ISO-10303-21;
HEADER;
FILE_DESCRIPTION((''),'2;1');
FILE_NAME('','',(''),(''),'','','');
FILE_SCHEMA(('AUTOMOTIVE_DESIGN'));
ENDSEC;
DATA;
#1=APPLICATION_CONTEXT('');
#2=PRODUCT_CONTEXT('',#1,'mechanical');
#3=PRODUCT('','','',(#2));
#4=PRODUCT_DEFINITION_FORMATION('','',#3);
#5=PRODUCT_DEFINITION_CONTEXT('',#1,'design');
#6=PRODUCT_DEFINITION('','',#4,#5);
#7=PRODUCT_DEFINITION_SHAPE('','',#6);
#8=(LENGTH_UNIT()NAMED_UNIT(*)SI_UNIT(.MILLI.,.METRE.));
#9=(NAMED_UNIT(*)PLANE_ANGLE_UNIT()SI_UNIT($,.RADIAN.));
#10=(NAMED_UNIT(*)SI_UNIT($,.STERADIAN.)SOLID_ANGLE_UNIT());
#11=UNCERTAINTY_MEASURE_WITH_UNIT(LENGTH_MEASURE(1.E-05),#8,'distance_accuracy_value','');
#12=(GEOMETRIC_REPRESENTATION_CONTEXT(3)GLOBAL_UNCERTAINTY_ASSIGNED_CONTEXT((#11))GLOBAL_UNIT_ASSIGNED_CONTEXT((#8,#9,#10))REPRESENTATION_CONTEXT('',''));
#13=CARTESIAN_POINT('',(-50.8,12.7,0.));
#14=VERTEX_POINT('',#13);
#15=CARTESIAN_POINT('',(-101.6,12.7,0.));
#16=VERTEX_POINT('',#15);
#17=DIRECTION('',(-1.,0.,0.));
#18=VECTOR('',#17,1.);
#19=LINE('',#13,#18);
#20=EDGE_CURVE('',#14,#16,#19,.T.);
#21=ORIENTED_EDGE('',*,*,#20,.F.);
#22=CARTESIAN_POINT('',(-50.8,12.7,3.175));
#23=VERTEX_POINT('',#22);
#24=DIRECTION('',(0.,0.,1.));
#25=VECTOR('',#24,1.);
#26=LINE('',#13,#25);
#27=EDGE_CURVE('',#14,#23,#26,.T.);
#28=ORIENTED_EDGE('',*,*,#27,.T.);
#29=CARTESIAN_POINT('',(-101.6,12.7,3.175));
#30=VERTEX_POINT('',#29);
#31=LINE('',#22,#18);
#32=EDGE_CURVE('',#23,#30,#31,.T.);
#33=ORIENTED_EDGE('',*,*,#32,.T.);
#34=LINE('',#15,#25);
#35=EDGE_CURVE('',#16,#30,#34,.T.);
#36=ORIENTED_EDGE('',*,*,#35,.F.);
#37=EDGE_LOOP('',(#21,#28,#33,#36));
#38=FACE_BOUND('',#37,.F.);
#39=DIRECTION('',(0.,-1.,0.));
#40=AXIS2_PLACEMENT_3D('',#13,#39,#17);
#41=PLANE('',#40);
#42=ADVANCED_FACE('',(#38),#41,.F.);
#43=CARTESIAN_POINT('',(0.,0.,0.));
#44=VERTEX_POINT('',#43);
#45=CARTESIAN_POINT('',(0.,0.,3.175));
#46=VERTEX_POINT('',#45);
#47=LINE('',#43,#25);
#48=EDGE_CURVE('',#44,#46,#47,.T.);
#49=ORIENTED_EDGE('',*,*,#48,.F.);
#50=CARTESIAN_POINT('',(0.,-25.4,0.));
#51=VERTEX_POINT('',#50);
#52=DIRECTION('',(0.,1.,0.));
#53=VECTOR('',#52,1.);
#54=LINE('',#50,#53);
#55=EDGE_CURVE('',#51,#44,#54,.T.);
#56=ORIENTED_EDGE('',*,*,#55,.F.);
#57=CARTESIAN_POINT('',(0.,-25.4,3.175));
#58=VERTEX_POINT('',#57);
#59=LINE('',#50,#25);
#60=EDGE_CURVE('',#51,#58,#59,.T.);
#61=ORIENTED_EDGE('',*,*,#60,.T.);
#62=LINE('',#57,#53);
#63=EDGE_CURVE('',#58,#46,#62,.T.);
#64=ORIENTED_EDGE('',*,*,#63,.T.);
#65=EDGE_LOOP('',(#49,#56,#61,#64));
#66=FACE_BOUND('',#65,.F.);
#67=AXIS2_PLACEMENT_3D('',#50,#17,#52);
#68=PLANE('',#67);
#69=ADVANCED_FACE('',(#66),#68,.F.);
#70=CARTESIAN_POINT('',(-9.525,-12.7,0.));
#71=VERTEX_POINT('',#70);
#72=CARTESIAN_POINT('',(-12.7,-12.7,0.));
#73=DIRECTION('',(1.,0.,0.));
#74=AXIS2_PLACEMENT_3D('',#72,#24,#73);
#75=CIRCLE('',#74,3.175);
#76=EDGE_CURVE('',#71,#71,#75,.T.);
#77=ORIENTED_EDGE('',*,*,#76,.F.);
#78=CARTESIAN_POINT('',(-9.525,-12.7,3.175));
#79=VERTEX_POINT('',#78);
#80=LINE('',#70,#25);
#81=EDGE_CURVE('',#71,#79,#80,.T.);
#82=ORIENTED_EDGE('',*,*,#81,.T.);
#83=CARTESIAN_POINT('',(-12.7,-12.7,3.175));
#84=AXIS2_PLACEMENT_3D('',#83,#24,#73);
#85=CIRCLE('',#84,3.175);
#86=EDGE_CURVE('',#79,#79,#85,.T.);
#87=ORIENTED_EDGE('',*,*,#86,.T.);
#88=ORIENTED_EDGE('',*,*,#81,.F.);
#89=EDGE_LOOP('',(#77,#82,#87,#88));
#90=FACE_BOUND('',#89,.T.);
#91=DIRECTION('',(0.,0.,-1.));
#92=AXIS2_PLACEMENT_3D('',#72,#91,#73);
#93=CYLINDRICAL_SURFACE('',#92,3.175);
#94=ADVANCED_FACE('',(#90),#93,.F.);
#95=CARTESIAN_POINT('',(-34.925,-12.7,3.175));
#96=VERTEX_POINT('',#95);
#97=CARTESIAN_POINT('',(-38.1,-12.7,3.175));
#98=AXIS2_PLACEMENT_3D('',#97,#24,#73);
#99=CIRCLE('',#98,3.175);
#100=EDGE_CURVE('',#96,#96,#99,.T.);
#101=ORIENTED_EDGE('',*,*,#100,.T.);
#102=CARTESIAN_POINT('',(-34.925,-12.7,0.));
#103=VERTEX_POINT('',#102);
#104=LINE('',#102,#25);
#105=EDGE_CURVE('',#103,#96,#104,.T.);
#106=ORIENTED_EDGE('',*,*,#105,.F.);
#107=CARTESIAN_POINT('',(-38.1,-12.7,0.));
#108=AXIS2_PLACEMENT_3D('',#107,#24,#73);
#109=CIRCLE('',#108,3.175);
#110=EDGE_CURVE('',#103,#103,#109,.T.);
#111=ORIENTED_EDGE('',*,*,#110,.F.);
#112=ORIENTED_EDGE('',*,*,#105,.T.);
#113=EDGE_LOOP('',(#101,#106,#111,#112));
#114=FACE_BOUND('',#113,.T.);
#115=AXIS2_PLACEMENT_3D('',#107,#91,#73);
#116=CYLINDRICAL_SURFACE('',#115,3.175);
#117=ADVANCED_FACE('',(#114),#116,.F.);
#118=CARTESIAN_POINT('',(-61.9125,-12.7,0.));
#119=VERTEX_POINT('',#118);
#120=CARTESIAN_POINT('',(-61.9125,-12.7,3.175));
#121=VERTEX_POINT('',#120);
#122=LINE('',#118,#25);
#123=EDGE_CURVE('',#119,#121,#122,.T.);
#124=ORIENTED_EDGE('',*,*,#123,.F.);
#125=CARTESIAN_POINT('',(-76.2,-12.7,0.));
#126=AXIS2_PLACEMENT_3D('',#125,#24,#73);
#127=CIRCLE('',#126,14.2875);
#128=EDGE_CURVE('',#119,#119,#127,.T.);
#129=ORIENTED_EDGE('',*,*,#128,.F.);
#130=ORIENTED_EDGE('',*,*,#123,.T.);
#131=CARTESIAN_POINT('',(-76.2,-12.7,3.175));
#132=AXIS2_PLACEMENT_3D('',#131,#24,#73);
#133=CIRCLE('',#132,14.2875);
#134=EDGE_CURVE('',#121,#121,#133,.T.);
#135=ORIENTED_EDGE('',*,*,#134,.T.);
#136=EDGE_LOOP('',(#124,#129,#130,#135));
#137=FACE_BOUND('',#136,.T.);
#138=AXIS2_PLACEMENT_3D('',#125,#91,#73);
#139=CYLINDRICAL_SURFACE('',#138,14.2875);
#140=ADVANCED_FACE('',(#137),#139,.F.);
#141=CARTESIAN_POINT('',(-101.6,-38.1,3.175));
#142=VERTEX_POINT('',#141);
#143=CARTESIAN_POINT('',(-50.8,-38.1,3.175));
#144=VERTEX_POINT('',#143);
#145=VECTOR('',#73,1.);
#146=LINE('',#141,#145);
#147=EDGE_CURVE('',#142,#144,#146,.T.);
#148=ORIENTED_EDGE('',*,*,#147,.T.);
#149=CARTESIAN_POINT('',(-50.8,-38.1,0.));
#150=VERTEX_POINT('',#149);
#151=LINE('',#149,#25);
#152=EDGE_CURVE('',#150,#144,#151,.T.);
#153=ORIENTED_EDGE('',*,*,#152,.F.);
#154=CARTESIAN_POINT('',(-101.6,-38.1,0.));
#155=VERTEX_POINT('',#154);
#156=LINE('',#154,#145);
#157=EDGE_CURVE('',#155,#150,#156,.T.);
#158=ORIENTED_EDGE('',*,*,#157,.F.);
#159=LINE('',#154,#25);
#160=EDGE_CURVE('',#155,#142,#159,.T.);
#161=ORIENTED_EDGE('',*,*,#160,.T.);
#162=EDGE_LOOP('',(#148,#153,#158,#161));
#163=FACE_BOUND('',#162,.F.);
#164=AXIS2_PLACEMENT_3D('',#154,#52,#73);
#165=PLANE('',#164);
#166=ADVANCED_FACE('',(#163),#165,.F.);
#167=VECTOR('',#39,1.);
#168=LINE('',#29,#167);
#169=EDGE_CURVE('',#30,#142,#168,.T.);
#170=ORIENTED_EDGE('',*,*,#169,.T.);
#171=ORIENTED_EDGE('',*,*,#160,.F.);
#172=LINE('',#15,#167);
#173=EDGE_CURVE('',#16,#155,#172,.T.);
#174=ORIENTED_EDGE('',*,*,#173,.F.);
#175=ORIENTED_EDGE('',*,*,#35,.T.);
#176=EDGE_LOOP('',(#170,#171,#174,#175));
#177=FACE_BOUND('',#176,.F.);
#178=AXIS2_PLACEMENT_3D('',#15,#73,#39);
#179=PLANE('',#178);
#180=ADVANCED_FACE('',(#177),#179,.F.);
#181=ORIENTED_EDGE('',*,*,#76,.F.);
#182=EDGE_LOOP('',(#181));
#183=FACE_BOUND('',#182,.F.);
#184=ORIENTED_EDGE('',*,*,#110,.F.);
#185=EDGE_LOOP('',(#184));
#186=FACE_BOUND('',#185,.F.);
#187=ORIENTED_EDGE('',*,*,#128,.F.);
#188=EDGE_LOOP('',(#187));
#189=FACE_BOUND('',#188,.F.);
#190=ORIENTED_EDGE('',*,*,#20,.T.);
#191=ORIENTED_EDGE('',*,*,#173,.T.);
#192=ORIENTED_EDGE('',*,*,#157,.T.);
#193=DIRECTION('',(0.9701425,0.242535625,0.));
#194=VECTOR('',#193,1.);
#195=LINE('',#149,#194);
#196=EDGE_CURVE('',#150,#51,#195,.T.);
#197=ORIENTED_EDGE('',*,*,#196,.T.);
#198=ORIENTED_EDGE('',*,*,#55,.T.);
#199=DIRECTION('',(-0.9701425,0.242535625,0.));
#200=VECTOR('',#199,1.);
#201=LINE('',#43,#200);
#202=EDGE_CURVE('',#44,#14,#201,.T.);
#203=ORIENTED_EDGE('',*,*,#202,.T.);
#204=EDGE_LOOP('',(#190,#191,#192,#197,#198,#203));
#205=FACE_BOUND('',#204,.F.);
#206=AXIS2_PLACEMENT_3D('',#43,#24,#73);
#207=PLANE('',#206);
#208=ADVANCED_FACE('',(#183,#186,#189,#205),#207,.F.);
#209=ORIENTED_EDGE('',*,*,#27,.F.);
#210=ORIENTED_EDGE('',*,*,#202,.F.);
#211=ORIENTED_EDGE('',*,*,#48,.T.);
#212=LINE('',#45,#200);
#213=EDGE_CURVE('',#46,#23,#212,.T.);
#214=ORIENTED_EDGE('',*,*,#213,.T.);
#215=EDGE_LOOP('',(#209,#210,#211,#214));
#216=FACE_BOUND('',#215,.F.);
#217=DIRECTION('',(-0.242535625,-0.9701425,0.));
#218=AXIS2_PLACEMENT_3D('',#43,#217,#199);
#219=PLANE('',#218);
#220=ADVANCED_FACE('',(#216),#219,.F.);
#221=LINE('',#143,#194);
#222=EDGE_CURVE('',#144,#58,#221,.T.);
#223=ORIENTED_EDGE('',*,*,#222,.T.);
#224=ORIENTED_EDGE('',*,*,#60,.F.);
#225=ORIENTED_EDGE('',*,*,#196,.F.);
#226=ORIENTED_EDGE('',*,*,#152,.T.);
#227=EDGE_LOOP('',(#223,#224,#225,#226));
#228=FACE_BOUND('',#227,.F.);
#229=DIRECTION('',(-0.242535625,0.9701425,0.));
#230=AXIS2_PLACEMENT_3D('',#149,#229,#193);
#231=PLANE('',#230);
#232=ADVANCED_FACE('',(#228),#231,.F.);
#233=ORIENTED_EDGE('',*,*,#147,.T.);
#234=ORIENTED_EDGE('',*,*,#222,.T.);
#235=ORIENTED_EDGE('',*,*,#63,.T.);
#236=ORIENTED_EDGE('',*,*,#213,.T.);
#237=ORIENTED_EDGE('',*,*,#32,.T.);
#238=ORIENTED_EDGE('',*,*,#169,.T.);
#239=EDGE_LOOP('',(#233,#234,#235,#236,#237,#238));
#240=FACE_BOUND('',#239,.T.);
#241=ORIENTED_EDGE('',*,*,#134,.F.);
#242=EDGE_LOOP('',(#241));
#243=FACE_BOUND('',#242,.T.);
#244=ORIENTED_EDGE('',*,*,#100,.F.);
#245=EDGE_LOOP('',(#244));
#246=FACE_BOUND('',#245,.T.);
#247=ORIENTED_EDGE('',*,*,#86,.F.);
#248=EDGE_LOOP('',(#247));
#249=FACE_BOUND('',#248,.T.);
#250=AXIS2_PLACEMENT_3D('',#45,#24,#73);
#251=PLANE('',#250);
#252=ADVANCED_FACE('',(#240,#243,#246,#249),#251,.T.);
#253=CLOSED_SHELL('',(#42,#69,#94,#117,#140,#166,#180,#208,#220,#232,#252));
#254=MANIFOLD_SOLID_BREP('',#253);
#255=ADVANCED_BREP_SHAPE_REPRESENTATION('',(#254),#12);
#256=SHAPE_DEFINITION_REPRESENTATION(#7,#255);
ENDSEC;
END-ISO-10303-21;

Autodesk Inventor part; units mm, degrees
ref_plane "YZ Plane" through (0, 0, 0) normal (1, 0, 0) x (0, 1, 0)
ref_plane "XZ Plane" through (0, 0, 0) normal (0, 1, 0) x (-1, 0, 0)
ref_plane "XY Plane" through (0, 0, 0) normal (0, 0, 1) x (1, 0, 0)
sketch "Sketch1" plane through (0, 0, 0) normal (0, 0, 1) x (1, 0, 0)
  line L0 (0, 0) -> (-50.8, 12.7)
  line L1 (-50.8, 12.7) -> (-101.6, 12.7)
  line L2 (-101.6, 12.7) -> (-101.6, -38.1)
  line L3 (-101.6, -38.1) -> (-50.8, -38.1)
  line L4 (-50.8, -38.1) -> (0, -25.4)
  line L5 (0, -25.4) -> (0, 0)
  circle A0 centre (-76.2, -12.7) radius 14.2875
  circle A1 centre (-12.7, -12.7) radius 3.175
  circle A2 centre (-38.1, -12.7) radius 3.175
  line L6 (-101.6, -12.7) -> (0, -12.7) construction
  dimension "d1" = 50.8
  dimension "d2" = 50.8
  dimension "d3" = 50.8
  dimension "d4" = 25.4
  dimension "d5" = 28.575
  dimension "d6" = 25.4
  dimension "d7" = 25.4
  dimension "d8" = 6.35
  dimension "d9" = 6.35
  dimension "d10" = 12.7
  dimension "d11" = 25.4
extrude "Extrusion1" add sketch "Sketch1" along normal blind 3.175
properties part number "Wheel Gusset" material "Aluminum 6061"
